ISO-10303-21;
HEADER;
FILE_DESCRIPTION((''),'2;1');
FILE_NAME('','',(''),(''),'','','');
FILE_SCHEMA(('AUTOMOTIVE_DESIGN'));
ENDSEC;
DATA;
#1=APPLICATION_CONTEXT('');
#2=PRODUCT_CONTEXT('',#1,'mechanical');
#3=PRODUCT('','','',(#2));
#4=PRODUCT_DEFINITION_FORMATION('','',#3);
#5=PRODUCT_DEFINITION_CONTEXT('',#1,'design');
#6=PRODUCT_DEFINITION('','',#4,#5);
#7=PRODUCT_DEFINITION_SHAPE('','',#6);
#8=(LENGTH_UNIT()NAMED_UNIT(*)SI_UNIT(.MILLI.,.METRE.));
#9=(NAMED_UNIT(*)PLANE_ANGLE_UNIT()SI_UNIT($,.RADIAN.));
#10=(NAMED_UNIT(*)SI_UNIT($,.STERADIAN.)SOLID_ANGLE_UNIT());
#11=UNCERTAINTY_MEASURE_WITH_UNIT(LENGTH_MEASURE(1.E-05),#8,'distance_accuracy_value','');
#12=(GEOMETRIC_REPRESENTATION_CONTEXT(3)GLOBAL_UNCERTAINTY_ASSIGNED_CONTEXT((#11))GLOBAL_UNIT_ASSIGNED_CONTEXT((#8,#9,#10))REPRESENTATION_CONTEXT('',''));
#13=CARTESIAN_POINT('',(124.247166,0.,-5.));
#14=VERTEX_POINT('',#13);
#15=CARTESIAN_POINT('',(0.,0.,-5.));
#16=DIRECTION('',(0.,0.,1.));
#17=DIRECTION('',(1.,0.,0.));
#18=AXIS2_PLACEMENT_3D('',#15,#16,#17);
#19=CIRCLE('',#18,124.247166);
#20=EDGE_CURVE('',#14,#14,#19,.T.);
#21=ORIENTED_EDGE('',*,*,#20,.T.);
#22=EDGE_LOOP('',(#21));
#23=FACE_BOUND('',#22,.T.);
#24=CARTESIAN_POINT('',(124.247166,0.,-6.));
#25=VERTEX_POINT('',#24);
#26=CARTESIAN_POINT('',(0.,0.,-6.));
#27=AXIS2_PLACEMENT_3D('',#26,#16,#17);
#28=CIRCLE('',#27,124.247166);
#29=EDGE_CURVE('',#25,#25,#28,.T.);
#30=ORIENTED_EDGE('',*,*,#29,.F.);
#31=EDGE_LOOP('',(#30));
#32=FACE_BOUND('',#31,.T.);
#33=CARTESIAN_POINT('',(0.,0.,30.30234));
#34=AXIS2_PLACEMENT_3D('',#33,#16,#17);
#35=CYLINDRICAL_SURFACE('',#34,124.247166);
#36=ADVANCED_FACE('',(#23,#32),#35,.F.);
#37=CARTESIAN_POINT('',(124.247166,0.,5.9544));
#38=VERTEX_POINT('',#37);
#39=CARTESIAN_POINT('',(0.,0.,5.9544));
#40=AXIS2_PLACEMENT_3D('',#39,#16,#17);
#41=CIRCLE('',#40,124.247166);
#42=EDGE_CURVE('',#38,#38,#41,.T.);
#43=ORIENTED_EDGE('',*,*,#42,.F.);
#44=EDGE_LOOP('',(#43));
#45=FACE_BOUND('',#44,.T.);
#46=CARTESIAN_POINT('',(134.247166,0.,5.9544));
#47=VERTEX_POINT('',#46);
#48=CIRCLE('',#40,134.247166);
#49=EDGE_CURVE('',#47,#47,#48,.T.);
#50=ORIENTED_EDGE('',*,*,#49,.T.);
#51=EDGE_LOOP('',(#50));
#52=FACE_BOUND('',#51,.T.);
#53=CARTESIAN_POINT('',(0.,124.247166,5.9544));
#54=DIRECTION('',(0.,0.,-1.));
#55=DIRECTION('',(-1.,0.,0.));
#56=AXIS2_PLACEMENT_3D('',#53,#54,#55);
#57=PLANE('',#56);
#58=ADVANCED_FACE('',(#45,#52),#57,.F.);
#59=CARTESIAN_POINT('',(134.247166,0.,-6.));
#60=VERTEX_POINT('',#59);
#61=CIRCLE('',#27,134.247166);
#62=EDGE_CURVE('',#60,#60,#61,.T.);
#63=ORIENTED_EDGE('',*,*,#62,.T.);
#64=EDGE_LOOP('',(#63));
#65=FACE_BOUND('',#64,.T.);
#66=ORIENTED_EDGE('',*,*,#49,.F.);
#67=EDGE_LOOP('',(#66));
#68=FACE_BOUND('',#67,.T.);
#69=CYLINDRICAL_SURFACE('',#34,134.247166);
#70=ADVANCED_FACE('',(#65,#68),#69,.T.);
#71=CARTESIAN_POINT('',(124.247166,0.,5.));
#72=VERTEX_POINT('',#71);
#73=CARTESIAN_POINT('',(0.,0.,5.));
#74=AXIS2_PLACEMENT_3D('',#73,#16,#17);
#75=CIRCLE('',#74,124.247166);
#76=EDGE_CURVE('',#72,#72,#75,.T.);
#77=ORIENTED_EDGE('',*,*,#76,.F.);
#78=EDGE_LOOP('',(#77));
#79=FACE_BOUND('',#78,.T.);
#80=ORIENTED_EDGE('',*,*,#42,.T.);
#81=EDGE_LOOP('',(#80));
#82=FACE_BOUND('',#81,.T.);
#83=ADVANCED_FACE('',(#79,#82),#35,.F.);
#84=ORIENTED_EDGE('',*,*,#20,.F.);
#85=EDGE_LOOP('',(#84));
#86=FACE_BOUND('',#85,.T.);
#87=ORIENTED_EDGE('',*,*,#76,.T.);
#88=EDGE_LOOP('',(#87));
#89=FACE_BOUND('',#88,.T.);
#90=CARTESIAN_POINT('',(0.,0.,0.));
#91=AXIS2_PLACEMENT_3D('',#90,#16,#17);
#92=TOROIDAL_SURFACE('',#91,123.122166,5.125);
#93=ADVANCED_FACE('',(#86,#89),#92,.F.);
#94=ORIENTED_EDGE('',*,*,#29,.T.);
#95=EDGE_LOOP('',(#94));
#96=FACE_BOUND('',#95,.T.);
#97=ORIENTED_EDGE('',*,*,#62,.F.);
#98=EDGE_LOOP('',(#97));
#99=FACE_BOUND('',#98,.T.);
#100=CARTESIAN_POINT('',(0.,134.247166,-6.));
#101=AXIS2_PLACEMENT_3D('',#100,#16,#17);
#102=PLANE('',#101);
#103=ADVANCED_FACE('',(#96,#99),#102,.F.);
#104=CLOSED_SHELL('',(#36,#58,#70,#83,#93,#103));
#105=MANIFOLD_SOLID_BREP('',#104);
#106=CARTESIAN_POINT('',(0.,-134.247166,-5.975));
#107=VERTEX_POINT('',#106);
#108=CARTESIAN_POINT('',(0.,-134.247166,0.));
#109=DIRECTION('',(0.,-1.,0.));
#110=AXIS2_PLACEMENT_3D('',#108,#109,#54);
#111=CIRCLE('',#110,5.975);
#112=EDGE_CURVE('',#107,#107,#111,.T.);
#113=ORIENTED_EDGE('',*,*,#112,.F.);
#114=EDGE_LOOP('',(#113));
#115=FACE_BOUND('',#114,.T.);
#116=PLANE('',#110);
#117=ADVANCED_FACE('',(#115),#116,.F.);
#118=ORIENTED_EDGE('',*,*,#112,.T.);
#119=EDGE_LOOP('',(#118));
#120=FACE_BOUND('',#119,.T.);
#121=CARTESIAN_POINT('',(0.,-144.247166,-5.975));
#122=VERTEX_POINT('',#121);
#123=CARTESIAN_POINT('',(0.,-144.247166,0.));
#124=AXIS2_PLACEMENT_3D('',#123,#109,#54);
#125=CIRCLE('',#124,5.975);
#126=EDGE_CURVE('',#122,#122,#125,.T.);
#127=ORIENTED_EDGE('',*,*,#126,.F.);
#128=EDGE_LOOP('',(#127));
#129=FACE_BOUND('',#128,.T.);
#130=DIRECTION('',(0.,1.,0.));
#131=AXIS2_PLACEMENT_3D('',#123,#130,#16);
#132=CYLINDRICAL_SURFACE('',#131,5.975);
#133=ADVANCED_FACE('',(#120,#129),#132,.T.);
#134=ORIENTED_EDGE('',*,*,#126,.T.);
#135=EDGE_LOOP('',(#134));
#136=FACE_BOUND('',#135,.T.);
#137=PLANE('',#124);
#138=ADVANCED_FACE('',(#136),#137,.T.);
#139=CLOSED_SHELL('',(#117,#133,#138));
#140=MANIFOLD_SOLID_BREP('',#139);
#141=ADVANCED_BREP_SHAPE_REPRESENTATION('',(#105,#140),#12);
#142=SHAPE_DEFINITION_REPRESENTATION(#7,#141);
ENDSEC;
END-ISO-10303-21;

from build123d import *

# Parameters (mm, degrees)
SKETCH3_R           = 5.975
BOSS_EXTRUDE1_DEPTH = 10


with BuildPart() as part:
    # Sketch1 → Revolve1 (revolve)
    with BuildSketch(Plane(origin=(0, 0, 0), x_dir=(0, 0, -1), z_dir=(1, 0, 0))):
        with BuildLine():
            Line((-5.954399753, 124.24716621), (-5.954399753, 134.24716621))
            Line((-5.954399753, 134.24716621), (6, 134.24716621))
            Line((6, 134.24716621), (6, 124.24716621))
            Line((6, 124.24716621), (5, 124.24716621))
            ThreePointArc((5, 124.24716621), (0, 128.24716621), (-5, 124.24716621))
            Line((-5, 124.24716621), (-5.954399753, 124.24716621))
        make_face()
    revolve(axis=Axis((0, 0, 30.30234015), (0, 0, -1)))


with BuildPart() as body_2:
    # Sketch3 → Boss-Extrude1 (new body)
    with BuildSketch(Plane(origin=(0, -134.24716621, 0), x_dir=(-1, 0, 0), z_dir=(0, -1, 0))):
        Circle(SKETCH3_R)
    extrude(amount=BOSS_EXTRUDE1_DEPTH)


solid = Compound([part.part, body_2.part])
